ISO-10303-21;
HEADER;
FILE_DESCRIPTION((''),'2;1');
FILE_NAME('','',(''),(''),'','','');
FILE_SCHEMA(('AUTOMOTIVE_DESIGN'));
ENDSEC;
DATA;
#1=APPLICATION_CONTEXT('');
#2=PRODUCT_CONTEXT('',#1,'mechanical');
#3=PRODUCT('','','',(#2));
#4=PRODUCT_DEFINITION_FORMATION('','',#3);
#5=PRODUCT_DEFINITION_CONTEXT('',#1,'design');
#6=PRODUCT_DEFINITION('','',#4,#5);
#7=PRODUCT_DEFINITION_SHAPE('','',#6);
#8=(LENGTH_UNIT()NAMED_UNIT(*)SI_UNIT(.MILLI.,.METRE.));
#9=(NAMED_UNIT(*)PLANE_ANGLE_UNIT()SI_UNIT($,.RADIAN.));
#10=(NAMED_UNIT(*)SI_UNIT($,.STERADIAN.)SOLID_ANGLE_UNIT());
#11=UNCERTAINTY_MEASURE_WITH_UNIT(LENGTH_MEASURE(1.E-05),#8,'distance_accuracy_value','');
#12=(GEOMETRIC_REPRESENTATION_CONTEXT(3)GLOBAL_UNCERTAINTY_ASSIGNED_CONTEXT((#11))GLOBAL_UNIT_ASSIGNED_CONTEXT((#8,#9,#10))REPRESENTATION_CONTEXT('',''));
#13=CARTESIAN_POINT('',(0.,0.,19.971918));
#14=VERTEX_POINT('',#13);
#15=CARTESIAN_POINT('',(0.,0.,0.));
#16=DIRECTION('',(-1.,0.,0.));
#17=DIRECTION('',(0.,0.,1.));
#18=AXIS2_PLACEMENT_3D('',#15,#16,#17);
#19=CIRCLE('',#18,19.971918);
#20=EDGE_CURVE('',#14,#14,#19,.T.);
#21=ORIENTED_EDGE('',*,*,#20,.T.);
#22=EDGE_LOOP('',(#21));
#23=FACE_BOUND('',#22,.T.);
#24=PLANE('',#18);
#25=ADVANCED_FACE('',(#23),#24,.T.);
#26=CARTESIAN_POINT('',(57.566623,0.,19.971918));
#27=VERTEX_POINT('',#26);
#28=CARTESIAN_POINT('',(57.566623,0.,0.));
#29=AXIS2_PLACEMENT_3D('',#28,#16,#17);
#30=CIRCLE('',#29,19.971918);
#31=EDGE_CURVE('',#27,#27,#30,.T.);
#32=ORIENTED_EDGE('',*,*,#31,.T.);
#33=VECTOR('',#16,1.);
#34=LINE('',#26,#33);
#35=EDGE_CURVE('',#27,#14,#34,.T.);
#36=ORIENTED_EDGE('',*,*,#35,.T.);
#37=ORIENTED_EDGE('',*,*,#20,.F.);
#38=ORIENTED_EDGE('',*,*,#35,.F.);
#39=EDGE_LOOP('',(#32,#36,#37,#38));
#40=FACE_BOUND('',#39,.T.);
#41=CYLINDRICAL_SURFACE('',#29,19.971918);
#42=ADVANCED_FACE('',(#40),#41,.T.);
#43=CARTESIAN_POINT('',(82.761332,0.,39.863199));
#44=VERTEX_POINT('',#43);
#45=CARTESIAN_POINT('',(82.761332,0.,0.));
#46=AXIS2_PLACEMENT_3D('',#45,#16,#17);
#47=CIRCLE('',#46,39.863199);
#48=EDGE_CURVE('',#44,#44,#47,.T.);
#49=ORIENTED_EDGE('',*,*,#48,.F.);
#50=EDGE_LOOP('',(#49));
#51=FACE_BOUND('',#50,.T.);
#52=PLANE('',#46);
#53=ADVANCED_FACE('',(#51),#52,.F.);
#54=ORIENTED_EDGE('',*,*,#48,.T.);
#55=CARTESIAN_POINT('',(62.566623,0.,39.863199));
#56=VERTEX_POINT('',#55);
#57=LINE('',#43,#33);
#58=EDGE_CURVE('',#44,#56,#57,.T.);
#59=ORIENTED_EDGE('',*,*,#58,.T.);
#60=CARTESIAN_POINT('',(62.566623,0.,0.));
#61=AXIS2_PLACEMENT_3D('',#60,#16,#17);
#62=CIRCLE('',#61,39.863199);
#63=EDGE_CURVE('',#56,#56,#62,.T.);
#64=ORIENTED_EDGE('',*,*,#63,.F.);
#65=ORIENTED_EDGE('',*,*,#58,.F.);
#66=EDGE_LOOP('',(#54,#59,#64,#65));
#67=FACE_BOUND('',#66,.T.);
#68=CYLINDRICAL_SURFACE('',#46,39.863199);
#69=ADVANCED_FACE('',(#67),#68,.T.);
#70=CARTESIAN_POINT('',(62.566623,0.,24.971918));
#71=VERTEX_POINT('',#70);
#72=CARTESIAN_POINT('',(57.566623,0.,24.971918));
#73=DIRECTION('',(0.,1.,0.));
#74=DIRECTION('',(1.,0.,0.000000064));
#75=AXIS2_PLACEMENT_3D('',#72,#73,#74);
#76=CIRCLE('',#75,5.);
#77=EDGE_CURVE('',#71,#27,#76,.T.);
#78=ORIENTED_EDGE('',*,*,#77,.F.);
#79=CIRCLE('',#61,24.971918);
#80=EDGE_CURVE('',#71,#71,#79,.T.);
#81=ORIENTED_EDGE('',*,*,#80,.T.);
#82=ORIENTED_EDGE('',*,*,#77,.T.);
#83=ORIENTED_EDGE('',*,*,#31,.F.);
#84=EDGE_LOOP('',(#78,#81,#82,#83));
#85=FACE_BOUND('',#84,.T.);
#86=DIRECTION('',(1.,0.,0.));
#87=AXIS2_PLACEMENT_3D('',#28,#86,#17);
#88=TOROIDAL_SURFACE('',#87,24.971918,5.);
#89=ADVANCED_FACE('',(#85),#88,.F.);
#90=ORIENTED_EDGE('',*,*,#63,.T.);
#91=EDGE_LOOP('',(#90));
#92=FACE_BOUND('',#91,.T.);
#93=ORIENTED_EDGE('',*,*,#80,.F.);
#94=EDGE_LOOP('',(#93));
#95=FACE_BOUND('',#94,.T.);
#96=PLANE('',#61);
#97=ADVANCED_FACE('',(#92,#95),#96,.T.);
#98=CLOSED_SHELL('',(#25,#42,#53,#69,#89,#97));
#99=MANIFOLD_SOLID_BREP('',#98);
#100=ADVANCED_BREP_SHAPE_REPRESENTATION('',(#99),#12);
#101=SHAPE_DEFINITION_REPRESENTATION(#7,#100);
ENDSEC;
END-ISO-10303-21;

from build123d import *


with BuildPart() as f1:
    # F0 (on Front) → F1 (revolve)
    with BuildSketch(Plane.XZ):
        with BuildLine():
            Line((0, 19.971918), (0, 0))
            Line((0, 0), (82.761332, 0))
            Line((82.761332, 0), (82.761332, 19.971918))
            Line((82.761332, 19.971918), (82.761332, 39.863199))
            Line((82.761332, 39.863199), (62.566623, 39.863199))
            Line((62.566623, 39.863199), (62.566623, 24.971918))
            ThreePointArc((62.566623, 24.971918), (61.102157, 21.436384), (57.566623, 19.971918))
            Line((57.566623, 19.971918), (0, 19.971918))
        make_face()
    revolve(axis=Axis((-13.793555, 0, 0), (-1, 0, 0)))


solid = f1.part
